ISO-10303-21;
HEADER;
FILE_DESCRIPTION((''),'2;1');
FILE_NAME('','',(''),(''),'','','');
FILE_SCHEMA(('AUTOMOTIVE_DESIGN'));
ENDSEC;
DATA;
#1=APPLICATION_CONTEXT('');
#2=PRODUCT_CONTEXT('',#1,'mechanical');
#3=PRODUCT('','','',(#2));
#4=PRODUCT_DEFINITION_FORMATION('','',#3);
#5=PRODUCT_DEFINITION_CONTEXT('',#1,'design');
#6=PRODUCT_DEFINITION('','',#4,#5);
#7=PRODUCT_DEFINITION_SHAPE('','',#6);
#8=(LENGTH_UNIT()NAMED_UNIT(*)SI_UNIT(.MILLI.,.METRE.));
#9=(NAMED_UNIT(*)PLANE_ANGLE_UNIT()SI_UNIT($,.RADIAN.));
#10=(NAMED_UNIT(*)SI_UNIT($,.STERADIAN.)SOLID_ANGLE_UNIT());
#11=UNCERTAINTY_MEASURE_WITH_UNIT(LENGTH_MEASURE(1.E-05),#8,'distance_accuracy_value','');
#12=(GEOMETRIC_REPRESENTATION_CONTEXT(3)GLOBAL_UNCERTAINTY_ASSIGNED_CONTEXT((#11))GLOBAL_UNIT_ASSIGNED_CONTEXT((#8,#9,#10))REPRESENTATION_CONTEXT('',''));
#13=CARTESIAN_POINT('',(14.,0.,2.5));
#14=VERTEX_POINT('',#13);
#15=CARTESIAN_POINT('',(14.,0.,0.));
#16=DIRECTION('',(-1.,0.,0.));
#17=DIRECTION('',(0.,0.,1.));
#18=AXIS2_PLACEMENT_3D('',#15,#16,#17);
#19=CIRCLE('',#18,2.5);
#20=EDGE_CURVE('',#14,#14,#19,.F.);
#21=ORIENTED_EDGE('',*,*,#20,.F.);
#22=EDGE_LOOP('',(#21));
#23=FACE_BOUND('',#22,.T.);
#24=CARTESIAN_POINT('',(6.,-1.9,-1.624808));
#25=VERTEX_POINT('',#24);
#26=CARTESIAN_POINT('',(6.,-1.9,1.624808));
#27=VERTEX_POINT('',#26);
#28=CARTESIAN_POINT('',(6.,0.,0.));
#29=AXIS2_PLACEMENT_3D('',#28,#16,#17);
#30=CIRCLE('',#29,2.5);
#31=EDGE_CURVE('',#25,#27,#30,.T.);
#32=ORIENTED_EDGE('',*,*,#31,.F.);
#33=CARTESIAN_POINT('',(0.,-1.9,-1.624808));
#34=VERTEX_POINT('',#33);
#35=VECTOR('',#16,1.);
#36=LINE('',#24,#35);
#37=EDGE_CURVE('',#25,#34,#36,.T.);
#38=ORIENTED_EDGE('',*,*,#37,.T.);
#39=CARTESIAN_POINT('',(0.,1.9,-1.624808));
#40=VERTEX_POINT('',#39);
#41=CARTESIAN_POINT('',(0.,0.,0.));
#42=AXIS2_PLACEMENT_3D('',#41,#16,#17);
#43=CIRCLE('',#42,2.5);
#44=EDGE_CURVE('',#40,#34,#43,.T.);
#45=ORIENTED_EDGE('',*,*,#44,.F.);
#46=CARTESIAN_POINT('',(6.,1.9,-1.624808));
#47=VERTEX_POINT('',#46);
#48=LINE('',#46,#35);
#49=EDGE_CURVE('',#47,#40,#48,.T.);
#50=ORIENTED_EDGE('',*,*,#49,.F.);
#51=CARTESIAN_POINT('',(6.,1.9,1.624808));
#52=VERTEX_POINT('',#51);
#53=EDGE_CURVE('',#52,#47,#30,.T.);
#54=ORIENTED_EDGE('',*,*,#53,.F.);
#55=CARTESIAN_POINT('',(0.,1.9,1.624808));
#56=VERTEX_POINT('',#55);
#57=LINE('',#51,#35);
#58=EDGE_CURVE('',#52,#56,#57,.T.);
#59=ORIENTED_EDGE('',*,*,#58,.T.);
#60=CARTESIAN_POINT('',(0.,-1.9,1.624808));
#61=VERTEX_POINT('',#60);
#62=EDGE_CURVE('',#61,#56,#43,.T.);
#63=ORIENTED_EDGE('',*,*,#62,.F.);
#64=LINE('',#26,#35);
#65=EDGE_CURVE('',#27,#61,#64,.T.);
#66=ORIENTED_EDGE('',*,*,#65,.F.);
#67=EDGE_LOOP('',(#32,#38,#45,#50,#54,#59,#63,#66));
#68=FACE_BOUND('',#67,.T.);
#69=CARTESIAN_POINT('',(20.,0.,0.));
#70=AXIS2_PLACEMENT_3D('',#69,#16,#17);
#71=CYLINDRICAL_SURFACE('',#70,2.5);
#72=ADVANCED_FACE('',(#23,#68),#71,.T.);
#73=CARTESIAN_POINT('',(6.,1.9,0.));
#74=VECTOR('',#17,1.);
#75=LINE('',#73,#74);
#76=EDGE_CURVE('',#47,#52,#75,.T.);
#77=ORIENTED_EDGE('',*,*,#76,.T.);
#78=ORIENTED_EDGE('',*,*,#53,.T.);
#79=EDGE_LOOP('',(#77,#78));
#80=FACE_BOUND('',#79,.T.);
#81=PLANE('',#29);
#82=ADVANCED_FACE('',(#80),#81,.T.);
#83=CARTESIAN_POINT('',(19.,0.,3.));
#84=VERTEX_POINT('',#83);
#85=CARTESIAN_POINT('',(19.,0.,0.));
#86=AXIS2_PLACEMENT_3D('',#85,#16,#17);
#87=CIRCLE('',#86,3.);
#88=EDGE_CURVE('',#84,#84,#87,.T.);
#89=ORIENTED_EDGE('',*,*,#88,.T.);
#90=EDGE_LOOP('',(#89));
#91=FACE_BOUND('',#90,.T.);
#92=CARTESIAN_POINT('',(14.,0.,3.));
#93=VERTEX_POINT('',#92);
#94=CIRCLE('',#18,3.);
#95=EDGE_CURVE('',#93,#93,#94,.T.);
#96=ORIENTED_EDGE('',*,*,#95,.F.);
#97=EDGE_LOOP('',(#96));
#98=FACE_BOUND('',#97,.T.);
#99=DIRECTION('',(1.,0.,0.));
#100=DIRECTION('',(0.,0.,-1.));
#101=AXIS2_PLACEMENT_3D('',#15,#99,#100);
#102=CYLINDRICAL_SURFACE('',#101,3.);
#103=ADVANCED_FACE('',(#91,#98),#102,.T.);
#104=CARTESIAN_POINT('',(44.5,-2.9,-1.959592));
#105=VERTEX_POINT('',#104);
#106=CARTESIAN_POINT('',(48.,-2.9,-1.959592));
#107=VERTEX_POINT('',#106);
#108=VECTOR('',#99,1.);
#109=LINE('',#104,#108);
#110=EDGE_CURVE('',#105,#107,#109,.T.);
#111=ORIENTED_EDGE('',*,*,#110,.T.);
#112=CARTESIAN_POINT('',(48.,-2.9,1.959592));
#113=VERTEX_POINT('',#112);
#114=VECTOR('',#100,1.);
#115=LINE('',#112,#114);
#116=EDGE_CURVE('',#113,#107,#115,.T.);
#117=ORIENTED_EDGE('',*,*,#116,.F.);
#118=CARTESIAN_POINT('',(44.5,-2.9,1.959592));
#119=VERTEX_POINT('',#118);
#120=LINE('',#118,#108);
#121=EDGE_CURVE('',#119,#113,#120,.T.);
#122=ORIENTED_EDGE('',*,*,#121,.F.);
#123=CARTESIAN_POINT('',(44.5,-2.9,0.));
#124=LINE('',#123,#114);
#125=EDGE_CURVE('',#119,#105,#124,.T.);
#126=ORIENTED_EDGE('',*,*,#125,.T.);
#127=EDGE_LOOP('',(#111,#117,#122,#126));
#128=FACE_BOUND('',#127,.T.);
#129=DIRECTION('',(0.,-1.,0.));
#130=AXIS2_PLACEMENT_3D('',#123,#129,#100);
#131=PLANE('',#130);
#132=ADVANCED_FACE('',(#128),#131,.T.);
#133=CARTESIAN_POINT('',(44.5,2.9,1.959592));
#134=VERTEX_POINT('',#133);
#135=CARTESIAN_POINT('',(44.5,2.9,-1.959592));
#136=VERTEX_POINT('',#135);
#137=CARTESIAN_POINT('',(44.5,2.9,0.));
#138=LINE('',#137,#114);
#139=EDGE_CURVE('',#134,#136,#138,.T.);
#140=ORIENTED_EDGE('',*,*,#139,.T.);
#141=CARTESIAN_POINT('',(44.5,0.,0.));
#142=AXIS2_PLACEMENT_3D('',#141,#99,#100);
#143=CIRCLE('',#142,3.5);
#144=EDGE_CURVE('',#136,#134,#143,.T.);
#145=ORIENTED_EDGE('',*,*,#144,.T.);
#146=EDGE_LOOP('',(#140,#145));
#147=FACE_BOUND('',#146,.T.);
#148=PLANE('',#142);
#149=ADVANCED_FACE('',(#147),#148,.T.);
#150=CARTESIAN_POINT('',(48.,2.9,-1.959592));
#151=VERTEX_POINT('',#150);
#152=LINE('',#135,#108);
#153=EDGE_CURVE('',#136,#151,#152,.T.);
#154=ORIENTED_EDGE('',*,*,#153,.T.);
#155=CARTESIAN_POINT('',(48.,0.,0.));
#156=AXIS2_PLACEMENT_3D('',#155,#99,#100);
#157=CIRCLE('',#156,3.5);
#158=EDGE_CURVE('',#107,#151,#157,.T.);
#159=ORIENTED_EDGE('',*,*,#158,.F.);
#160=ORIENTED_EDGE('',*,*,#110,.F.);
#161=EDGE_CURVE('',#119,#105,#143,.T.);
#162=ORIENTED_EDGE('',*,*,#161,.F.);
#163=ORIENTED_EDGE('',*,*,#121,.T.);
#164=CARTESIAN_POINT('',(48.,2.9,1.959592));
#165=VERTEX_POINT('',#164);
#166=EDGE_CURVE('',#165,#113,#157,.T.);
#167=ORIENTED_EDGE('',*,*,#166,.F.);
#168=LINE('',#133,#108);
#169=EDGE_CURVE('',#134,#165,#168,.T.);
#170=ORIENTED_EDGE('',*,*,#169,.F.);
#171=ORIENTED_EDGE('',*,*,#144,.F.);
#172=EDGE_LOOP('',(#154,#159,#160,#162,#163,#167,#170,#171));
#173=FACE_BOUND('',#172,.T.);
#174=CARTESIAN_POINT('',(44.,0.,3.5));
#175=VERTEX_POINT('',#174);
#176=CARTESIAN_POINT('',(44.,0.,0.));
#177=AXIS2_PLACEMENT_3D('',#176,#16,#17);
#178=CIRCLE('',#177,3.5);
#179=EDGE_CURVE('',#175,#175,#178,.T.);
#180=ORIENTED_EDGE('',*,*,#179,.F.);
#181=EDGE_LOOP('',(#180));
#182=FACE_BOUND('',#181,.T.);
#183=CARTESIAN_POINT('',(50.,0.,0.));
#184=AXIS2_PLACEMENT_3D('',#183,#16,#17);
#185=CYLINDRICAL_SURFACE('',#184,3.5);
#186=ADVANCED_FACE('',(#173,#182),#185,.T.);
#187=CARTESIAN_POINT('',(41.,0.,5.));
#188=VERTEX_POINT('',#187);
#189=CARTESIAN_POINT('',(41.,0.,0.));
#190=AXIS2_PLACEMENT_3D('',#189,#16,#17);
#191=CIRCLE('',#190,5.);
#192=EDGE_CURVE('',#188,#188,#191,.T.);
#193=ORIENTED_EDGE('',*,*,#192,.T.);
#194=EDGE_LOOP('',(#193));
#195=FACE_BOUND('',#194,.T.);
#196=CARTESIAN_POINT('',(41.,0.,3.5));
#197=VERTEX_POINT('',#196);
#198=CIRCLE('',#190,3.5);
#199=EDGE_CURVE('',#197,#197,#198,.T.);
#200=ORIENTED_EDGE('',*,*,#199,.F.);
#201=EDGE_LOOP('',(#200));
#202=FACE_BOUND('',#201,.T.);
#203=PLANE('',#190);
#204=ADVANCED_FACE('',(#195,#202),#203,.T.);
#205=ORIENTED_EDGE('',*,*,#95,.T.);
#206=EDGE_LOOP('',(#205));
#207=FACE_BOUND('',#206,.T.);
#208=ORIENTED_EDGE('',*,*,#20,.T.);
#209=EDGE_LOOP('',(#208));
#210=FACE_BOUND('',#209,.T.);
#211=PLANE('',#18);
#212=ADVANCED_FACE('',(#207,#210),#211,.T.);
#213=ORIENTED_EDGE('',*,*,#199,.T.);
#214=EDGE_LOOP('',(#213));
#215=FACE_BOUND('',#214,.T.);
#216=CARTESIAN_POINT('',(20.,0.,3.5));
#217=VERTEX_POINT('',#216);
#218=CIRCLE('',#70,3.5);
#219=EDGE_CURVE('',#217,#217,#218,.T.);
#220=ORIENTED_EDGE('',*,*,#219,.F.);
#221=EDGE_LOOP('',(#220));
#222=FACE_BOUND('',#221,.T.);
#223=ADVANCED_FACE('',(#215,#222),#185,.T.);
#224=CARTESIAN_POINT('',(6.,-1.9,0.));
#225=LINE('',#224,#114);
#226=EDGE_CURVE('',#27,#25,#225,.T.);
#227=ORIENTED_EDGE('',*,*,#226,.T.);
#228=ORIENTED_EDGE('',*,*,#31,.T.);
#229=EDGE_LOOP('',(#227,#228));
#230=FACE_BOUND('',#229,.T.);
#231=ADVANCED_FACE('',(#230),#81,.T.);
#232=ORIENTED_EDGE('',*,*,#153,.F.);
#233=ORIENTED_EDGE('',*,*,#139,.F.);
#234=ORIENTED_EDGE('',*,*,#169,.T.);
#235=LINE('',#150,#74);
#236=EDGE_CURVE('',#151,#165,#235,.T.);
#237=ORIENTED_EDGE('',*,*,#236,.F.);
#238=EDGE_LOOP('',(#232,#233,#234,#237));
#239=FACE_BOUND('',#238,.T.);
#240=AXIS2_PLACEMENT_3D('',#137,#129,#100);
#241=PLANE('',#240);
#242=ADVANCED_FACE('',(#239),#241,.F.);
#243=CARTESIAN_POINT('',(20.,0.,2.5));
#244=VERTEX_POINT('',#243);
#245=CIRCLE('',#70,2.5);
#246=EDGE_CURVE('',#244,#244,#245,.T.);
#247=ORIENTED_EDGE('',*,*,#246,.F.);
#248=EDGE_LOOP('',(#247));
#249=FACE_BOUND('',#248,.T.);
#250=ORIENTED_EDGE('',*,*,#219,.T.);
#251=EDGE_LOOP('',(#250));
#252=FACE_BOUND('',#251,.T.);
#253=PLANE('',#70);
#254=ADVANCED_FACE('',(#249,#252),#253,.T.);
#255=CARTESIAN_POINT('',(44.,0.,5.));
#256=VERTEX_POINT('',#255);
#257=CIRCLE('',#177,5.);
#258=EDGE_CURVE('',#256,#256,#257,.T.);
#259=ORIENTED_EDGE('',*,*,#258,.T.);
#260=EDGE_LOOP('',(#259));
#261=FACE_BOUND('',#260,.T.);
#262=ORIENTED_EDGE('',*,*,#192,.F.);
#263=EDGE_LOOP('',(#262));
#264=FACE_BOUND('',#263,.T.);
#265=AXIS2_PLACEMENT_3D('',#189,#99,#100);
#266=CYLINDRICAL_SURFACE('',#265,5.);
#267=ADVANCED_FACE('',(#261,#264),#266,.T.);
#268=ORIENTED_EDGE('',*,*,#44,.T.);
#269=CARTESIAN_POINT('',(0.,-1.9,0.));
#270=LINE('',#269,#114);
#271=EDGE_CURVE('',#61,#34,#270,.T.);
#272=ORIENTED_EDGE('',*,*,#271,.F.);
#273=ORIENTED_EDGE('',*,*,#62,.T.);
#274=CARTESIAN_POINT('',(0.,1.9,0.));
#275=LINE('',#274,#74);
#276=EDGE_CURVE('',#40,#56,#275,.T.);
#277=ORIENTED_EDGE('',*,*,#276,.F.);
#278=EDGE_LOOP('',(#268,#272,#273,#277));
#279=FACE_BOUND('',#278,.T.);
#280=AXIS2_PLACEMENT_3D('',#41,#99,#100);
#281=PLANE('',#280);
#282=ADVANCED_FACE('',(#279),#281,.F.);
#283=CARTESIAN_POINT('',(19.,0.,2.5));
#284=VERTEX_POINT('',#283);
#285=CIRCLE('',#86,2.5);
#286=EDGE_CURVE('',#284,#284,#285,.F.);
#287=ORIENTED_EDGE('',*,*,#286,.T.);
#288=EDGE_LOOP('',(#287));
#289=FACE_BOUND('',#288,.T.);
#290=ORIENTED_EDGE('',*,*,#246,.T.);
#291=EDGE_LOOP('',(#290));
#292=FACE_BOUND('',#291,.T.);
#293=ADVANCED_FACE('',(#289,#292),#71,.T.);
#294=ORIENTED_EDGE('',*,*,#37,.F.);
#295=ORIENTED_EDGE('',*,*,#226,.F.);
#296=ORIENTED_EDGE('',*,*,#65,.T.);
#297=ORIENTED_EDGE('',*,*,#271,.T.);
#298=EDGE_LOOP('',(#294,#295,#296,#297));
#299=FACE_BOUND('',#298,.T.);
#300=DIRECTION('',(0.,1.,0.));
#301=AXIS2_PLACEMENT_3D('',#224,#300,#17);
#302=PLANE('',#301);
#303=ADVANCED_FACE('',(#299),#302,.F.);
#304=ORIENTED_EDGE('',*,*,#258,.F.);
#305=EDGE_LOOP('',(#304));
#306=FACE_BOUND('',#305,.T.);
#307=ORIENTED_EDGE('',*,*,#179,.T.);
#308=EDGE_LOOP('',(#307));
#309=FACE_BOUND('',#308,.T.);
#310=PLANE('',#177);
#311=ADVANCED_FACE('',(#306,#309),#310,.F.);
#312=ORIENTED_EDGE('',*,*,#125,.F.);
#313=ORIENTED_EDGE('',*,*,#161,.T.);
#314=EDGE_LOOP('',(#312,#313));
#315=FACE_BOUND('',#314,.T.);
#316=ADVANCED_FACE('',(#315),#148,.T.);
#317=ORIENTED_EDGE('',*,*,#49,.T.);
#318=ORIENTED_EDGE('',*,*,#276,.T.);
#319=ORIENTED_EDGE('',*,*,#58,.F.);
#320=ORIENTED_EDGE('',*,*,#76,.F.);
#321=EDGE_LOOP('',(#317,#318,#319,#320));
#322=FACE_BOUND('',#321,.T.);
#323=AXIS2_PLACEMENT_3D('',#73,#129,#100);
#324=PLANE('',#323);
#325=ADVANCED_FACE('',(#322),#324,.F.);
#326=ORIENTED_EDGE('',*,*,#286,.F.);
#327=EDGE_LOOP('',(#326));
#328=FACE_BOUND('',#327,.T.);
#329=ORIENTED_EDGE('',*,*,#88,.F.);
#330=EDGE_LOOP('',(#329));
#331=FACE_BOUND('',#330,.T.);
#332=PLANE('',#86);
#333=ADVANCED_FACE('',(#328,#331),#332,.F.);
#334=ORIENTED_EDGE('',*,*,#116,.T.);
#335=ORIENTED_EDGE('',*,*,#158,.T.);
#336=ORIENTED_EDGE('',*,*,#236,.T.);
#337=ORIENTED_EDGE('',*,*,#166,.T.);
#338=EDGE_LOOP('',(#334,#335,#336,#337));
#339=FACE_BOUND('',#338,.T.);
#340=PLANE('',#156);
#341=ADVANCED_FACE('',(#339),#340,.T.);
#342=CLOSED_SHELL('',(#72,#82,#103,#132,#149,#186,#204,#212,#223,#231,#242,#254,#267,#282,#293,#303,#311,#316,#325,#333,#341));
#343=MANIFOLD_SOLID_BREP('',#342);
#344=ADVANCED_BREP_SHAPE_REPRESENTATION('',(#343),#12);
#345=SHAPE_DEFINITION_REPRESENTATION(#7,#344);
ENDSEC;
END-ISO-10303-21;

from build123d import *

# Parameters (mm, degrees)
SKETCH1_R           = 3.5
BOSS_EXTRUDE1_DEPTH = 50
BOSS_EXTRUDE2_START = 6
SKETCH2_R           = 5
BOSS_EXTRUDE2_DEPTH = 3
SKETCH5_R           = 3.5
SKETCH5_R_2         = 2.5
CUT_EXTRUDE2_DEPTH  = 20
BOSS_EXTRUDE3_START = 22
SKETCH3_R           = 3
BOSS_EXTRUDE3_DEPTH = 5
CUT_EXTRUDE3_START  = -5.5
CUT_EXTRUDE3_DEPTH  = 5.5
CUT_EXTRUDE4_START  = -2
CUT_EXTRUDE4_DEPTH  = 2
CUT_EXTRUDE5_DEPTH  = 6


with BuildPart() as part:
    # Sketch1 → Boss-Extrude1 (new body)
    with BuildSketch(Plane(origin=(0, 0, 0), x_dir=(0, 0, -1), z_dir=(1, 0, 0))):
        Circle(SKETCH1_R)
    extrude(amount=BOSS_EXTRUDE1_DEPTH)

    # Sketch2 → Boss-Extrude2 (add)
    with BuildSketch(Plane.ZY.offset(-50).offset(BOSS_EXTRUDE2_START)):
        Circle(SKETCH2_R)
    extrude(amount=BOSS_EXTRUDE2_DEPTH)

    # Sketch5 → Cut-Extrude2 (cut)
    with BuildSketch(Plane.ZY):
        Circle(SKETCH5_R)
        Circle(SKETCH5_R_2, mode=Mode.SUBTRACT)
    extrude(amount=-CUT_EXTRUDE2_DEPTH, mode=Mode.SUBTRACT)

    # Sketch3 → Boss-Extrude3 (add)
    with BuildSketch(Plane.ZY.offset(-41).offset(BOSS_EXTRUDE3_START)):
        Circle(SKETCH3_R)
    extrude(amount=BOSS_EXTRUDE3_DEPTH)

    # Sketch6 → Cut-Extrude3 (cut)
    with BuildSketch(Plane(origin=(50, 0, 0), x_dir=(0, 0, -1), z_dir=(1, 0, 0)).offset(CUT_EXTRUDE3_START)):
        with BuildLine():
            ThreePointArc((1.959591794, 2.9), (0, 3.5), (-1.959591794, 2.9))
            Line((-1.959591794, 2.9), (1.959591794, 2.9))
        make_face()
        with BuildLine():
            Line((1.959591794, -2.9), (-1.959591794, -2.9))
            ThreePointArc((-1.959591794, -2.9), (0, -3.5), (1.959591794, -2.9))
        make_face()
    extrude(amount=CUT_EXTRUDE3_DEPTH, mode=Mode.SUBTRACT)

    # Sketch7 → Cut-Extrude4 (cut)
    with BuildSketch(Plane(origin=(50, 0, 0), x_dir=(0, 0, -1), z_dir=(1, 0, 0)).offset(CUT_EXTRUDE4_START)):
        with BuildLine():
            Line((1.959591794, 2.9), (-1.959591794, 2.9))
            ThreePointArc((-1.959591794, 2.9), (-3.5, 0), (-1.959591794, -2.9))
            Line((-1.959591794, -2.9), (1.959591794, -2.9))
            ThreePointArc((1.959591794, -2.9), (3.5, 0), (1.959591794, 2.9))
        make_face()
    extrude(amount=CUT_EXTRUDE4_DEPTH, mode=Mode.SUBTRACT)

    # Sketch8 → Cut-Extrude5 (cut)
    with BuildSketch(Plane.ZY):
        with BuildLine():
            ThreePointArc((1.624807681, 1.9), (0, 2.5), (-1.624807681, 1.9))
            Line((-1.624807681, 1.9), (1.624807681, 1.9))
        make_face()
        with BuildLine():
            Line((1.624807681, -1.9), (-1.624807681, -1.9))
            ThreePointArc((-1.624807681, -1.9), (0, -2.5), (1.624807681, -1.9))
        make_face()
    extrude(amount=-CUT_EXTRUDE5_DEPTH, mode=Mode.SUBTRACT)


solid = part.part
